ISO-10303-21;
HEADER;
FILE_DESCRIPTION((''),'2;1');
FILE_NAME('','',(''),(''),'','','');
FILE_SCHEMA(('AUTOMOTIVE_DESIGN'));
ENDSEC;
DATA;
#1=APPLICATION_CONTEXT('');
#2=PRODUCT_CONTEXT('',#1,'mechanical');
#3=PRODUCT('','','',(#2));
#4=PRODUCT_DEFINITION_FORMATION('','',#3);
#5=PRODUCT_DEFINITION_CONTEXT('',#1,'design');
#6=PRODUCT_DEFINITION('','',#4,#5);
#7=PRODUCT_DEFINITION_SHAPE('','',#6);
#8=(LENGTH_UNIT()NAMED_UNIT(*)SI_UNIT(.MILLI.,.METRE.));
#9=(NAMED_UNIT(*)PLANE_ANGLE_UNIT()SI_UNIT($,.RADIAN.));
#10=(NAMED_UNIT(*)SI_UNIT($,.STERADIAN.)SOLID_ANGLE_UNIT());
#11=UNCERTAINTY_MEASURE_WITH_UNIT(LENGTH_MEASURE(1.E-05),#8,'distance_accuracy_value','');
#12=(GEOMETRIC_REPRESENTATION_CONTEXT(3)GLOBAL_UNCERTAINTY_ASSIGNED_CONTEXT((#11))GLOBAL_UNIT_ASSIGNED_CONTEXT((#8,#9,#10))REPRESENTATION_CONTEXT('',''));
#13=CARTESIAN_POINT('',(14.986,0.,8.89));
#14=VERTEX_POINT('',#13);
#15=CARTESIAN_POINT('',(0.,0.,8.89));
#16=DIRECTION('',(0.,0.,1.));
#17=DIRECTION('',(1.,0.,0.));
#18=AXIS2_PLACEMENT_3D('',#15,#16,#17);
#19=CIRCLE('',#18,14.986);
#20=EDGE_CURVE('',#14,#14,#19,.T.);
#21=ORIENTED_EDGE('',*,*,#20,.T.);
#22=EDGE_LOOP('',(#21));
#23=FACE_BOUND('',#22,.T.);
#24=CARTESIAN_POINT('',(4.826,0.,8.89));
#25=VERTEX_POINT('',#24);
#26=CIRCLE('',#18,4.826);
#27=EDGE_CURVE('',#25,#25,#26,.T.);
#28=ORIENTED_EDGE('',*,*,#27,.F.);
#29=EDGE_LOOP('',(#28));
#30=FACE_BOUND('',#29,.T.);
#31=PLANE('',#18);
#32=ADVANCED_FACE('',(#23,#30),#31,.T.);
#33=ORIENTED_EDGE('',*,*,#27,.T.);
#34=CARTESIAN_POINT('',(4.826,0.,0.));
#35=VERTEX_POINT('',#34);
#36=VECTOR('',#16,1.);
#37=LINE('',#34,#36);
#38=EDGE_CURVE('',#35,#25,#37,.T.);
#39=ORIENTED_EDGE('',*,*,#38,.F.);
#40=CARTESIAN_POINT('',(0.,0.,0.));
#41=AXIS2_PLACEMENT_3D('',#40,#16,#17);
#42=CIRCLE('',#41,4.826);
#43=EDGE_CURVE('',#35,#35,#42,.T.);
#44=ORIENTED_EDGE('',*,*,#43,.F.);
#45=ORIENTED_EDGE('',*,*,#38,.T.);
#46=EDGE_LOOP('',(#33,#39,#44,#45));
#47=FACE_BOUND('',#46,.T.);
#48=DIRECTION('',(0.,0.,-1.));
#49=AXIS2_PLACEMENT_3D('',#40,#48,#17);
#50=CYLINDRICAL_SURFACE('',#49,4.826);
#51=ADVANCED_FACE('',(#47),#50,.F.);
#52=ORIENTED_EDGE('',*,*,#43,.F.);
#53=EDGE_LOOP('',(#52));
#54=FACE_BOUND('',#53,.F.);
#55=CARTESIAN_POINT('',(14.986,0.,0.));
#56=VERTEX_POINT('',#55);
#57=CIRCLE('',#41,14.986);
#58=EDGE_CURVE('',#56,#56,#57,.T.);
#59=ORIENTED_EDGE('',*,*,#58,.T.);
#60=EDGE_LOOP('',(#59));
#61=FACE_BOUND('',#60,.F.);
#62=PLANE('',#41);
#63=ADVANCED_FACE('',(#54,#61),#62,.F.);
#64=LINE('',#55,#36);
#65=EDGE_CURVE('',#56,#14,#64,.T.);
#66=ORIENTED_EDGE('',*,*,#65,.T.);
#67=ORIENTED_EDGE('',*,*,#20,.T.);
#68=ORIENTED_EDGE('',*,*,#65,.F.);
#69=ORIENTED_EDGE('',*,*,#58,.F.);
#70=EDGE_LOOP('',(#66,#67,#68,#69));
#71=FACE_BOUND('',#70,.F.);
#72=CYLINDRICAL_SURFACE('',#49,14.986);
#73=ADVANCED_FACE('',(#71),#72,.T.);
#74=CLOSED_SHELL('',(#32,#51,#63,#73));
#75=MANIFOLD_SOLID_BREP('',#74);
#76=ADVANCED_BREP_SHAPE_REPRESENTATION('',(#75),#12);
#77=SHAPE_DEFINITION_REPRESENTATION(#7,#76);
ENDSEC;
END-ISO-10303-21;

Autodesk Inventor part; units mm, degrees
ref_plane "YZ Plane" through (0, 0, 0) normal (1, 0, 0) x (0, 1, 0)
ref_plane "XZ Plane" through (0, 0, 0) normal (0, 1, 0) x (-1, 0, 0)
ref_plane "XY Plane" through (0, 0, 0) normal (0, 0, 1) x (1, 0, 0)
sketch "Sketch1" plane through (0, 0, 0) normal (0, 0, 1) x (1, 0, 0)
  circle A0 centre (0, 0) radius 14.986
  circle A1 centre (0, 0) radius 4.826
  dimension "d0" = 29.972
  dimension "d1" = 9.652
extrude "Extrusion1" add sketch "Sketch1" along normal blind 8.89
properties part number "bearing" material "Steel"
